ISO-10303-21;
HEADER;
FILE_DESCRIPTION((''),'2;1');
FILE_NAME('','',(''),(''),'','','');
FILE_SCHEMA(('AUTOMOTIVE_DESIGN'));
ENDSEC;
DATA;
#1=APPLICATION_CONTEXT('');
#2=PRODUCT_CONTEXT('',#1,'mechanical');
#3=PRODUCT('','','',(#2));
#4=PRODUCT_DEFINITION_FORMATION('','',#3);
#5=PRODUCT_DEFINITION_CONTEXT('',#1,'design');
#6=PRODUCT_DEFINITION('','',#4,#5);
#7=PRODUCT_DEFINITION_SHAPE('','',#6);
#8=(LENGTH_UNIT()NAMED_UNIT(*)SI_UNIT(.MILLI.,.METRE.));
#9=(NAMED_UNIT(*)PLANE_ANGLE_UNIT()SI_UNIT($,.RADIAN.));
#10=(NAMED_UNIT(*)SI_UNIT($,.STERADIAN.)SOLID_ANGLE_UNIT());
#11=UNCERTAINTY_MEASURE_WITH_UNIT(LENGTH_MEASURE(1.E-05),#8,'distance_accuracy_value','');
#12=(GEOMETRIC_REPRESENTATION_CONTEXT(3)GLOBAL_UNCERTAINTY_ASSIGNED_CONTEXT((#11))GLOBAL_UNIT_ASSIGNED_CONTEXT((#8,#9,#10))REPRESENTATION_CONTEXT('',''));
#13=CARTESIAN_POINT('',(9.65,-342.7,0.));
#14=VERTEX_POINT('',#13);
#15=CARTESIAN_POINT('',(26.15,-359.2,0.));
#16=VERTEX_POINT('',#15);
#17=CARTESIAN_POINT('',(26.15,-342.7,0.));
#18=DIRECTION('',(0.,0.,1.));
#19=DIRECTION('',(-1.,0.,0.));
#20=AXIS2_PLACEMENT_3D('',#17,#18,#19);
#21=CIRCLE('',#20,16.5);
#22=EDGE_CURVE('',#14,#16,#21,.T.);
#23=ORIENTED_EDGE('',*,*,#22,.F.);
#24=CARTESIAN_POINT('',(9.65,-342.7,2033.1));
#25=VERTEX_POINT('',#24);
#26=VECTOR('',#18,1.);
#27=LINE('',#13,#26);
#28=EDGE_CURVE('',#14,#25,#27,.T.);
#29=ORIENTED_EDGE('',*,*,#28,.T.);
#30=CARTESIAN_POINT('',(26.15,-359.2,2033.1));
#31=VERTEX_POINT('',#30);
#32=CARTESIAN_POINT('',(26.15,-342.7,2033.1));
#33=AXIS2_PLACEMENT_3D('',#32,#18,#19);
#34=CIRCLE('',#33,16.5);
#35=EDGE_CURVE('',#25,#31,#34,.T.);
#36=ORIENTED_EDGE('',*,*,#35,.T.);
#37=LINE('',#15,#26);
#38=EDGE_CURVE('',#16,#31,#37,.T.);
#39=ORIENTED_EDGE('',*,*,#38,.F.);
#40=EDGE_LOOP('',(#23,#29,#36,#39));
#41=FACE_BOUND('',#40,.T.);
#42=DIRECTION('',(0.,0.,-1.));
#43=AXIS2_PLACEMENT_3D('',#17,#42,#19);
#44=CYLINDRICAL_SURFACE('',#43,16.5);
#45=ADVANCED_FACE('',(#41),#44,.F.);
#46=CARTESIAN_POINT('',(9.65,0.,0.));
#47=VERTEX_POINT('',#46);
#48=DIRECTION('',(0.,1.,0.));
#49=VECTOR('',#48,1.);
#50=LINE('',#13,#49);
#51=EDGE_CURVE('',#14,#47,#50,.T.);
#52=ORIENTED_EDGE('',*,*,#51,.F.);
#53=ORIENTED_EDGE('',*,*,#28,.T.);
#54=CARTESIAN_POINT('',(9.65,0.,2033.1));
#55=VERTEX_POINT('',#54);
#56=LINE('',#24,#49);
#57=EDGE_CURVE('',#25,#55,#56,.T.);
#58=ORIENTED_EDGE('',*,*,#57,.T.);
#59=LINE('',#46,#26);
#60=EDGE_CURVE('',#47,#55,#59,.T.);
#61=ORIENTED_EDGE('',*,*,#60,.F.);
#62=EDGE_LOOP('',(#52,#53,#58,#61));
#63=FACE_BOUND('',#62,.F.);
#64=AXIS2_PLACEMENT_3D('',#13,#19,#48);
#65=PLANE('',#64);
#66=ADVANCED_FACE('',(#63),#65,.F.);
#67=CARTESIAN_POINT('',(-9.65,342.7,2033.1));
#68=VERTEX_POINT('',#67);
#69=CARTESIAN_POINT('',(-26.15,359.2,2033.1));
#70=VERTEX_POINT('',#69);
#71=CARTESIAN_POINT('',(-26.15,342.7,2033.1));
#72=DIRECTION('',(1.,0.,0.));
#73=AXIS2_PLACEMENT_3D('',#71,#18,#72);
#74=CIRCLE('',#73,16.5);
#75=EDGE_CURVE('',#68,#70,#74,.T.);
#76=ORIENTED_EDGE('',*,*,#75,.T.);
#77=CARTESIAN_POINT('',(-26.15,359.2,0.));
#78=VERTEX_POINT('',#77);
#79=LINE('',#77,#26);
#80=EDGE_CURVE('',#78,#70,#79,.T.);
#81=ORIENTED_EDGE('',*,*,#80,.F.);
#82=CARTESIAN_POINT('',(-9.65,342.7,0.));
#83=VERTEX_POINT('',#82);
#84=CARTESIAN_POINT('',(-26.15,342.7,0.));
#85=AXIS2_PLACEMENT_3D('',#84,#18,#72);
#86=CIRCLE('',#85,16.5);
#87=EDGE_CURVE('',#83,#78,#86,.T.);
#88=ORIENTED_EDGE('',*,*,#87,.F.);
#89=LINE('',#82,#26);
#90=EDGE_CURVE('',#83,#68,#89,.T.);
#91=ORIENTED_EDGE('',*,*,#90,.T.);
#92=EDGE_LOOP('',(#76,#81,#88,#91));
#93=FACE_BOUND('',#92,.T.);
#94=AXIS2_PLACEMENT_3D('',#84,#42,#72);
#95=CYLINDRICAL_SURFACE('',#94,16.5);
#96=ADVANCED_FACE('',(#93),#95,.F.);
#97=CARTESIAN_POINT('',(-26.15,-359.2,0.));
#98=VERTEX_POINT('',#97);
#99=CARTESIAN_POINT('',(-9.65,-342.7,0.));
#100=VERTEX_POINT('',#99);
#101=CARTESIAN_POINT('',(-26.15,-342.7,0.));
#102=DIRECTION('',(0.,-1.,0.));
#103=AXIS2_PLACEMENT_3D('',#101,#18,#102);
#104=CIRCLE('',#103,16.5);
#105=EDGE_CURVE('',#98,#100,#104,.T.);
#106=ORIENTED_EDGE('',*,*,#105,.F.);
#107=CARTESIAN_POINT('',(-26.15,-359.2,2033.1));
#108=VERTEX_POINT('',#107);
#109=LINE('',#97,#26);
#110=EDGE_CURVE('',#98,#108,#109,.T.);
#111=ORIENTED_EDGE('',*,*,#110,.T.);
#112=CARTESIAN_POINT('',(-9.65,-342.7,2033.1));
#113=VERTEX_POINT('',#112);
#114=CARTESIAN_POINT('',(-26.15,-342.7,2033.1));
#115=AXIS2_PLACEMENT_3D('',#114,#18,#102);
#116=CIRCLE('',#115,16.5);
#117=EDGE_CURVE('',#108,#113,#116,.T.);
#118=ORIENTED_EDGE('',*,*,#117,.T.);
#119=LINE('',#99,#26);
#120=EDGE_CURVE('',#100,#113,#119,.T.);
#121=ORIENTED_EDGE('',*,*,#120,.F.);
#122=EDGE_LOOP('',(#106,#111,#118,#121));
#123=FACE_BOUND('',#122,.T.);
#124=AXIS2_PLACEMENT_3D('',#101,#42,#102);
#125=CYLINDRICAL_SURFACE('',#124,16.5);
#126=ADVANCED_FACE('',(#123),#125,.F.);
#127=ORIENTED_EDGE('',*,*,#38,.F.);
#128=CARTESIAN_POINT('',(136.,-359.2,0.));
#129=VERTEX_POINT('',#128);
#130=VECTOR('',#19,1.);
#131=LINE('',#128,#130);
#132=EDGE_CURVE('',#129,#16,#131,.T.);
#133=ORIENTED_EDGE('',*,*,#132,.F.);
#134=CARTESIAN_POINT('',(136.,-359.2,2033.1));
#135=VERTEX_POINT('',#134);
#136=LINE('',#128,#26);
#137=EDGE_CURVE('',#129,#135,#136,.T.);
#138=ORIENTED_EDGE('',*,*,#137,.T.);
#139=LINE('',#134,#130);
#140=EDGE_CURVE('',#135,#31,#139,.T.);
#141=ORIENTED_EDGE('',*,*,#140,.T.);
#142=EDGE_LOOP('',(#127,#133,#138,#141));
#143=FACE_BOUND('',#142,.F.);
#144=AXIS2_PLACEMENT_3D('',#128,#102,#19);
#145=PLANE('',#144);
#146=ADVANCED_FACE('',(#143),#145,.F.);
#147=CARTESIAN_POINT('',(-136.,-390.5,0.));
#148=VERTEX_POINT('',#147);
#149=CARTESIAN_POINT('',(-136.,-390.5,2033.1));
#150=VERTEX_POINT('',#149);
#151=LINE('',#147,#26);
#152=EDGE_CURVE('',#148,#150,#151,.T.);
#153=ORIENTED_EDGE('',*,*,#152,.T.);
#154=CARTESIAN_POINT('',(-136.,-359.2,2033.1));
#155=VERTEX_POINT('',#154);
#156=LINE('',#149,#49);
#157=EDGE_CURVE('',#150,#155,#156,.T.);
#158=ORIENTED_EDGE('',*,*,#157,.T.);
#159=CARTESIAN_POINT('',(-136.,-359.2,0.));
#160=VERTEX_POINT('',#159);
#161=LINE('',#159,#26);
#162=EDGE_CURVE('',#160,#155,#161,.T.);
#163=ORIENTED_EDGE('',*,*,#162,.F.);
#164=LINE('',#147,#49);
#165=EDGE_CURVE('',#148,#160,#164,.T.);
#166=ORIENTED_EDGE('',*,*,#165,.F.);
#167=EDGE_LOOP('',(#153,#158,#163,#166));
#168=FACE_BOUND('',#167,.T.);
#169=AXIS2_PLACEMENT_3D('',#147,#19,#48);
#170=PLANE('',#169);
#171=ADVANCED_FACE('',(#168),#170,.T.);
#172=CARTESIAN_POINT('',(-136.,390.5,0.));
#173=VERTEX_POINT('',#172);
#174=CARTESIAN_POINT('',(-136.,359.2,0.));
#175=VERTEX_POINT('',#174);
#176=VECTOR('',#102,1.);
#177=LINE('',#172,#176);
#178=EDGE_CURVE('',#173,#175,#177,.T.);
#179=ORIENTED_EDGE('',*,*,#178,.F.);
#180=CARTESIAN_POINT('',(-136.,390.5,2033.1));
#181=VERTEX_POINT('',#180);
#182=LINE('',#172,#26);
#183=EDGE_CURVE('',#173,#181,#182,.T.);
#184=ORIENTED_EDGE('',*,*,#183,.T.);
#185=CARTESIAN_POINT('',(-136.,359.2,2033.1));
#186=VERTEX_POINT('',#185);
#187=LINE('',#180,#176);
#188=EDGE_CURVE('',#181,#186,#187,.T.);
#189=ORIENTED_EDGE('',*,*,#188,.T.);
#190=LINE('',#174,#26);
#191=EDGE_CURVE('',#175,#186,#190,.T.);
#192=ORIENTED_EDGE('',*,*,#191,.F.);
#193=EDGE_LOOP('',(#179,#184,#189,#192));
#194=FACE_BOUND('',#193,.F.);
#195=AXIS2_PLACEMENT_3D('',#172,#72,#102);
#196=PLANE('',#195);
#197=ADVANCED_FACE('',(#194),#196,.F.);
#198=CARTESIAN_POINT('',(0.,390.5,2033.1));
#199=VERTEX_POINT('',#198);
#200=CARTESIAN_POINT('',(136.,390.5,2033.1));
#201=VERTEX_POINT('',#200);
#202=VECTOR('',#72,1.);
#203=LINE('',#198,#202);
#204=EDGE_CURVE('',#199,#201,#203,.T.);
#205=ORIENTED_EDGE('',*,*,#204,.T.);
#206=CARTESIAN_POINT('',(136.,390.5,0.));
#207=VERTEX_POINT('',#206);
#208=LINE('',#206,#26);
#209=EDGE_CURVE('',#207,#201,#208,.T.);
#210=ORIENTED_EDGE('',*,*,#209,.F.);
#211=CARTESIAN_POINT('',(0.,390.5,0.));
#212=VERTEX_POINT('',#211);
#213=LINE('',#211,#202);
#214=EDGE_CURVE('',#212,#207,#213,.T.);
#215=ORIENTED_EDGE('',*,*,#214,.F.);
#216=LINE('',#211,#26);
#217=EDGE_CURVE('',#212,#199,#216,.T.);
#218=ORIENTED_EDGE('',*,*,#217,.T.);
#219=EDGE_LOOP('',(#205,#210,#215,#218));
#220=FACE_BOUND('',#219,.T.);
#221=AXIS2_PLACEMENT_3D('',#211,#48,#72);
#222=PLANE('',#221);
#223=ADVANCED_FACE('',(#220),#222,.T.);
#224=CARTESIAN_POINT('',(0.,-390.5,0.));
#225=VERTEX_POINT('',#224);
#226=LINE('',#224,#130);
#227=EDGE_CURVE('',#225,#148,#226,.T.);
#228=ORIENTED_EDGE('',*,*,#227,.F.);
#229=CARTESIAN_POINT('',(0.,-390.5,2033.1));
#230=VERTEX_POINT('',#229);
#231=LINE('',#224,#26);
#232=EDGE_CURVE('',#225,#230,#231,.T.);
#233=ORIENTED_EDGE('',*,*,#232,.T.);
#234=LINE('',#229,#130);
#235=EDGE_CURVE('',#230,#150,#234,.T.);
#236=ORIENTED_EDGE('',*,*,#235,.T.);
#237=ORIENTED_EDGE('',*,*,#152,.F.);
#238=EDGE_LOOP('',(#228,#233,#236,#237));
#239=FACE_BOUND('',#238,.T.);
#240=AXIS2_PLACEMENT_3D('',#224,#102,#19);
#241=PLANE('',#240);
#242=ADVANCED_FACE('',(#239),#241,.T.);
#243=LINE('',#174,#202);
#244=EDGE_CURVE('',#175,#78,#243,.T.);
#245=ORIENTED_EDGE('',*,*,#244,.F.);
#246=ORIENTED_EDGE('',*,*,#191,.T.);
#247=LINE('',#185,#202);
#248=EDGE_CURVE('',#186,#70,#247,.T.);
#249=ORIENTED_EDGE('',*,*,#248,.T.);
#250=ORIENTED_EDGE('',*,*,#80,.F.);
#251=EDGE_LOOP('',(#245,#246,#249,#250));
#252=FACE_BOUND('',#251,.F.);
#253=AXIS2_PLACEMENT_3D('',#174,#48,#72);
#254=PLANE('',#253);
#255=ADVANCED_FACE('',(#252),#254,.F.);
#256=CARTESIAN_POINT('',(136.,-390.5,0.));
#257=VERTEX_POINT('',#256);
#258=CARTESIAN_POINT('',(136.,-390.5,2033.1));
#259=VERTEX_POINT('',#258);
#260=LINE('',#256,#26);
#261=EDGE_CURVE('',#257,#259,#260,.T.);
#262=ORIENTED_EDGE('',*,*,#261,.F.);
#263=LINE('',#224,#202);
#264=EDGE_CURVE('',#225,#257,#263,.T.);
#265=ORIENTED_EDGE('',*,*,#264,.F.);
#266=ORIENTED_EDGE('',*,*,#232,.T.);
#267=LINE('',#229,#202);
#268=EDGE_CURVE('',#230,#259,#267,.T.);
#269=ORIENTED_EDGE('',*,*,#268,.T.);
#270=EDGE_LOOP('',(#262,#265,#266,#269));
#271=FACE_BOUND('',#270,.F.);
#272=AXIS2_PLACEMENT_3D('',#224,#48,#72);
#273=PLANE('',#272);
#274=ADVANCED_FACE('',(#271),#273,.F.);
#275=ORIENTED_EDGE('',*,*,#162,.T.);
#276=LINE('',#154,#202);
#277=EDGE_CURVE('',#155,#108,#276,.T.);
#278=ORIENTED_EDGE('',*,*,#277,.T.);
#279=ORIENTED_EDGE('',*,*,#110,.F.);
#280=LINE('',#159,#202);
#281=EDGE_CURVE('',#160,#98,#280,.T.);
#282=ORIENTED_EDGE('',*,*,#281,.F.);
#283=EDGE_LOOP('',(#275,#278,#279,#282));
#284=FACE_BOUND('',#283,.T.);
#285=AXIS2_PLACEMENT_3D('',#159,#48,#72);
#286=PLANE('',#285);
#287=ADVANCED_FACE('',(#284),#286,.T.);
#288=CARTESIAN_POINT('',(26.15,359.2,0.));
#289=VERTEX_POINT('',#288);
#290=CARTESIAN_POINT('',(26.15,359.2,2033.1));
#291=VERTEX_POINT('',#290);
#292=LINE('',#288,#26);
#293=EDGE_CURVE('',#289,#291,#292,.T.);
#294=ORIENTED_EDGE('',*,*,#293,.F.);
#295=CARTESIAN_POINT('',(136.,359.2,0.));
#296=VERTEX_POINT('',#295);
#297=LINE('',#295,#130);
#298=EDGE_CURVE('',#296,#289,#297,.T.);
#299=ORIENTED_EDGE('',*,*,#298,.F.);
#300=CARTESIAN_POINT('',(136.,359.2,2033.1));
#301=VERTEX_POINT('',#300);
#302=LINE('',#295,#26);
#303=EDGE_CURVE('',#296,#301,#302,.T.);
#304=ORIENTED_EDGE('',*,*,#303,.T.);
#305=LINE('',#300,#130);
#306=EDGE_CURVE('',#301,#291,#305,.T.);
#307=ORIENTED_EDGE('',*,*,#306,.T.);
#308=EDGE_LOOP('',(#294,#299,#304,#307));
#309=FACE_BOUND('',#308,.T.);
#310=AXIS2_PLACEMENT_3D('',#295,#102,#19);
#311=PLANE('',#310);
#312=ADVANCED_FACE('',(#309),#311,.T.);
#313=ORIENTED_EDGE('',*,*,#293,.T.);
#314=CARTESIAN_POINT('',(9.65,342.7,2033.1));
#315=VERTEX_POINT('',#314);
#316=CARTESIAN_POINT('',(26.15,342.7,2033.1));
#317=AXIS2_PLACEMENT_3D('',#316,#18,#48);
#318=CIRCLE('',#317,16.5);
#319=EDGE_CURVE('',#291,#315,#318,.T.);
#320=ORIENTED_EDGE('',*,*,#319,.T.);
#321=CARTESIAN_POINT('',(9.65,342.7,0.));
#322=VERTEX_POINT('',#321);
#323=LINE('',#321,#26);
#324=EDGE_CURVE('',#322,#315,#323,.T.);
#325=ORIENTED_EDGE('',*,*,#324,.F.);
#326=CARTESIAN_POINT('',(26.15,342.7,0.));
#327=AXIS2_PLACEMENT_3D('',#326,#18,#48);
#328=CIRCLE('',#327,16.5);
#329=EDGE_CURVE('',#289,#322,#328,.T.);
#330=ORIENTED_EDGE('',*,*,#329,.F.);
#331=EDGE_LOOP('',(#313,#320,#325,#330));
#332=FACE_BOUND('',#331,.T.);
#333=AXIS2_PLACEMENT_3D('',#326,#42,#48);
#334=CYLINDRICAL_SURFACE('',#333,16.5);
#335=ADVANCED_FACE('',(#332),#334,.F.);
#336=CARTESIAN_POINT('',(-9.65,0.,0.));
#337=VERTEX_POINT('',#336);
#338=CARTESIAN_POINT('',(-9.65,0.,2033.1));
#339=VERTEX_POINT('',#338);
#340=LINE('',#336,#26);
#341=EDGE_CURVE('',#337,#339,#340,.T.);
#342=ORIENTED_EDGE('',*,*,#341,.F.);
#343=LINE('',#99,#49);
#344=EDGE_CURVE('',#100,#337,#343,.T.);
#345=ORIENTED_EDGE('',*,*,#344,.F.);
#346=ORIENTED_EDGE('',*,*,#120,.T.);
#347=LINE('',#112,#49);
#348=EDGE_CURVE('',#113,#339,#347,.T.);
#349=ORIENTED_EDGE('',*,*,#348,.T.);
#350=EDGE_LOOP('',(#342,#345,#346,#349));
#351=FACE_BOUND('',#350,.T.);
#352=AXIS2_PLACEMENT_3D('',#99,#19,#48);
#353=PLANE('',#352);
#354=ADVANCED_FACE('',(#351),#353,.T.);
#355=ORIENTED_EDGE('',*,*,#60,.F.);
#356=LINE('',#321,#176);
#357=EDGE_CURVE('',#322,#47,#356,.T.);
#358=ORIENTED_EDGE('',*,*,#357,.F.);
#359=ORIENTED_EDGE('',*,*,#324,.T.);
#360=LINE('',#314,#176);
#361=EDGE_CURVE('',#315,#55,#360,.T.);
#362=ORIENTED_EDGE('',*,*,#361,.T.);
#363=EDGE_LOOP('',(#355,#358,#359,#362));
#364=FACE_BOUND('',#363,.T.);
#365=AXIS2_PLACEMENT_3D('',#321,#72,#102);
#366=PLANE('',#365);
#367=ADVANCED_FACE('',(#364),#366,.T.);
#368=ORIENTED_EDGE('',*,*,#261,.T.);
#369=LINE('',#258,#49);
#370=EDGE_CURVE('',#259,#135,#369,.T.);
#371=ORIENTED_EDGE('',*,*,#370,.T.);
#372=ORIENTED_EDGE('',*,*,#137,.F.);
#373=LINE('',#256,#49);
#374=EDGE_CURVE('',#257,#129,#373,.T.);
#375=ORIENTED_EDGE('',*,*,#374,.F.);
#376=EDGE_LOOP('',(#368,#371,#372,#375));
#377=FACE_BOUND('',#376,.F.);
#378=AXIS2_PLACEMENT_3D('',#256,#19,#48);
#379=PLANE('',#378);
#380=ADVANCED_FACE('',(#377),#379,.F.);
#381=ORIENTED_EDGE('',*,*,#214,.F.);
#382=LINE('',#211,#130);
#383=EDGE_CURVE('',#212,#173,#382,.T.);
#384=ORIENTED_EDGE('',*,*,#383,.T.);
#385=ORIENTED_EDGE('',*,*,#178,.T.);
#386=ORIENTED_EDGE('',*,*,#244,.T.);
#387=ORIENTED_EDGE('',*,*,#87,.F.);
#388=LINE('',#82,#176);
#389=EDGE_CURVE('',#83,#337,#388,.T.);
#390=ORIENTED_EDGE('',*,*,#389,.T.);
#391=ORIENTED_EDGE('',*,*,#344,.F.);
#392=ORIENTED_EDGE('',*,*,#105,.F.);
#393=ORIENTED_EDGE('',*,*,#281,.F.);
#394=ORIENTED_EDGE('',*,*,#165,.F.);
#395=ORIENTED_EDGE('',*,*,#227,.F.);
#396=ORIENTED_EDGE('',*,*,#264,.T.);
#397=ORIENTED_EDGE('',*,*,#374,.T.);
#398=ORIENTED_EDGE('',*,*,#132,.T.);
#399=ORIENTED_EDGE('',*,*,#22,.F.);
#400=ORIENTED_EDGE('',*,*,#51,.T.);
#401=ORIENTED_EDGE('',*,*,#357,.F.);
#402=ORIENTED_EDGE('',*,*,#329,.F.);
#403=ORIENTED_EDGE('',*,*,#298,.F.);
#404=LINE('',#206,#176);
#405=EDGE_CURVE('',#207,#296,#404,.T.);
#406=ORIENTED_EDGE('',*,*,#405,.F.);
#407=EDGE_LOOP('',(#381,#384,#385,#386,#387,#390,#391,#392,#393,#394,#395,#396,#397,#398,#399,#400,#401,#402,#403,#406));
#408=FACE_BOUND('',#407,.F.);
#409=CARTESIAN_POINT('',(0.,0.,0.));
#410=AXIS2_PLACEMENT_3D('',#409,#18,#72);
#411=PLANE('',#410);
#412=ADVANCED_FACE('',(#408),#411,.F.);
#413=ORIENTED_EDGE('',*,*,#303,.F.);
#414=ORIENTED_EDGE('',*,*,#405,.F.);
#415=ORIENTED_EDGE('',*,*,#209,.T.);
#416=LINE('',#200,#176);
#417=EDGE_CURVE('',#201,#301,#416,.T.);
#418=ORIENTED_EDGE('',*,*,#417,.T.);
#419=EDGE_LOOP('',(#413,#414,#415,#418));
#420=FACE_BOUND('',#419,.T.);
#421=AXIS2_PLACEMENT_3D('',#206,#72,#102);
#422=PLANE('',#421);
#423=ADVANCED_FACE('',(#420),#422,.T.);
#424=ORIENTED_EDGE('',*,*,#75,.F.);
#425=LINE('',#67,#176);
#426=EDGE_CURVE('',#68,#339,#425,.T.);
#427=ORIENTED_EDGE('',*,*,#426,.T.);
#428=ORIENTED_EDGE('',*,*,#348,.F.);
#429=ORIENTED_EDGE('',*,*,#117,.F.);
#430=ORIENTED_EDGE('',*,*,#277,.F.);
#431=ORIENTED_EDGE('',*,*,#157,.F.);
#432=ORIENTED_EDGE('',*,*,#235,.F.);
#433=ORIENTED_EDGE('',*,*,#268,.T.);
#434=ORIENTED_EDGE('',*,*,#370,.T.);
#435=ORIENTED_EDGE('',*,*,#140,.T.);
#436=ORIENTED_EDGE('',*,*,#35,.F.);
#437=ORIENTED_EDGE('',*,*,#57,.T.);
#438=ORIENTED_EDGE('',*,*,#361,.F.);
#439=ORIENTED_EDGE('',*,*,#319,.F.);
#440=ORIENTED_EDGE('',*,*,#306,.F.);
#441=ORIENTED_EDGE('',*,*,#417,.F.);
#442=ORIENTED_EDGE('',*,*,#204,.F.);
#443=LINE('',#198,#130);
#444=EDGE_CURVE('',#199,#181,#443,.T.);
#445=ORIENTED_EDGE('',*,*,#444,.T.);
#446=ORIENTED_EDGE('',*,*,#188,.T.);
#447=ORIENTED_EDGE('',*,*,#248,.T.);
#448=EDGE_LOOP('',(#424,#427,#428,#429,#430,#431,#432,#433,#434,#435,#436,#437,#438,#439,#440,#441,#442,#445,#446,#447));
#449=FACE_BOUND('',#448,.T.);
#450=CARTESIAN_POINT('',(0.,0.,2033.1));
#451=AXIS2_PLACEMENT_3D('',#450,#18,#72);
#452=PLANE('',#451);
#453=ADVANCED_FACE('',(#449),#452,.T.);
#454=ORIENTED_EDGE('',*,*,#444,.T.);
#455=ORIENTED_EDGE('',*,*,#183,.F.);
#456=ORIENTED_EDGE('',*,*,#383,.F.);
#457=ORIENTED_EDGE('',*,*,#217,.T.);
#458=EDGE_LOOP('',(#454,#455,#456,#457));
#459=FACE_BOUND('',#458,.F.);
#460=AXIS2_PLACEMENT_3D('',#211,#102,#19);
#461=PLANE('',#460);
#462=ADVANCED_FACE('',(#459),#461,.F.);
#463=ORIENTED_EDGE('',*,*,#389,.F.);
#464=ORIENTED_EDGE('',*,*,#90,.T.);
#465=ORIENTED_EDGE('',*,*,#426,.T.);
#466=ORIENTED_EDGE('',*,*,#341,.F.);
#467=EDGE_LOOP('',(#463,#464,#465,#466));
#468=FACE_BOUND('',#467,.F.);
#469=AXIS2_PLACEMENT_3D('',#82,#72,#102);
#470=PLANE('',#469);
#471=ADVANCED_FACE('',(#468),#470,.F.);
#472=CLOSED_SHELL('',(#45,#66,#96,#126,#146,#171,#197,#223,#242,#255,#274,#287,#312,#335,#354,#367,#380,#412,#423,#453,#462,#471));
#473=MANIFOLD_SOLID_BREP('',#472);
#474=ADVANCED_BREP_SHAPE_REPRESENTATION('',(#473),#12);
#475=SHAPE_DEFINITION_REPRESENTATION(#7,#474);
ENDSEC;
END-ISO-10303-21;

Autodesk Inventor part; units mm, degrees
ref_plane "YZ Plane" through (0, 0, 0) normal (1, 0, 0) x (0, 1, 0)
ref_plane "Start plane" through (0, 0, 0) normal (0, 0, 1) x (1, 0, 0)
ref_plane "End plane" through (0, 0, 2033.1) normal (0, 0, 1) x (1, 0, 0)
sketch "Sketch" plane through (0, 0, 0) normal (0, 0, 1) x (1, 0, 0)
  line L0 (-136, -390.5) -> (-136, -359.2)
  line L1 (-136, -359.2) -> (-26.15, -359.2)
  line L2 (-9.65, -342.7) -> (-9.65, 0)
  line L3 (-9.65, 0) -> (0, 0) construction
  line L4 (0, 0) -> (0, -390.5) construction
  line L5 (0, -390.5) -> (-136, -390.5)
  line L6 (-60, 0) -> (80, 0) construction
  line L7 (0, -60) -> (0, 80) construction
  line L8 (136, -390.5) -> (136, -359.2)
  line L9 (136, -359.2) -> (26.15, -359.2)
  line L10 (9.65, -342.7) -> (9.65, 0)
  line L11 (9.65, 0) -> (0, 0) construction
  line L12 (0, -390.5) -> (136, -390.5)
  line L13 (-136, 390.5) -> (-136, 359.2)
  line L14 (-136, 359.2) -> (-26.15, 359.2)
  line L15 (-9.65, 342.7) -> (-9.65, 0)
  line L16 (0, 390.5) -> (-136, 390.5)
  line L17 (136, 390.5) -> (136, 359.2)
  line L18 (136, 359.2) -> (26.15, 359.2)
  line L19 (0, 390.5) -> (136, 390.5)
  line L20 (9.65, 342.7) -> (9.65, 0)
  arc A0 (-9.65, 342.7) -> (-26.15, 359.2) centre (-26.15, 342.7) ccw
  arc A1 (26.15, 359.2) -> (9.65, 342.7) centre (26.15, 342.7) ccw
  arc A2 (9.65, -342.7) -> (26.15, -359.2) centre (26.15, -342.7) ccw
  arc A3 (-26.15, -359.2) -> (-9.65, -342.7) centre (-26.15, -342.7) ccw
  line L21 (0, 108) -> (0, -88) construction
  line L22 (-88, 0) -> (108, 0) construction
  point P0 (-9.65, -359.2)
  point P1 (9.65, -359.2)
  point P2 (-9.65, 359.2)
  point P3 (9.65, 359.2)
  dimension "d1" = 390.5
  dimension "d2" = 31.3
  dimension "d3" = 136
  dimension "d4" = 9.65
  dimension "d10" = 16.5
extrude "Body" add sketch "Sketch" along normal up to surface (2033.1 mm away) from surface at 0
sketch "Sketch4" plane through (0, 0, 0) normal (0, 0, 1) x (1, 0, 0)
  line L0 (0, 0) -> (10, 0)
ref_plane "Work Plane3" through (0, 0, 0) normal (0, -1, 0) x (1, 0, 0)
sketch "Sketch5" plane through (0, 0, 0) normal (0, -1, 0) x (1, 0, 0)
  line L0 (-2, 0) -> (12, 0) projected
  line L1 (-2, 2033.1) -> (12, 2033.1) projected
  dimension "d14" = 2033.1
equation "\"d1\" = 0.5 * G_H"
equation "\"d2\" = G_T1"
equation "\"d3\" = 0.5 * G_W"
equation "\"d4\" = 0.5 * G_T"
equation "\"d10\" = G_IR"
equation "\"d5\" = G_L"
equation "\"G_W\" = 272"
equation "\"G_H\" = 781"
equation "\"G_T\" = 19.3"
equation "\"G_T1\" = 31.3"
equation "\"G_IR\" = 16.5"
equation "\"G_L\" = d14"
equation "\"G_OFFSET_START\" = 0"
equation "\"G_OFFSET_END\" = 0"
equation "\"d12\" = G_OFFSET_END + B_L"
equation "\"B_L\" = 2033.1"
properties part number "AS 3679-1990 - 760 UB - 244 - 2033.1" material "Steel, Mild"
